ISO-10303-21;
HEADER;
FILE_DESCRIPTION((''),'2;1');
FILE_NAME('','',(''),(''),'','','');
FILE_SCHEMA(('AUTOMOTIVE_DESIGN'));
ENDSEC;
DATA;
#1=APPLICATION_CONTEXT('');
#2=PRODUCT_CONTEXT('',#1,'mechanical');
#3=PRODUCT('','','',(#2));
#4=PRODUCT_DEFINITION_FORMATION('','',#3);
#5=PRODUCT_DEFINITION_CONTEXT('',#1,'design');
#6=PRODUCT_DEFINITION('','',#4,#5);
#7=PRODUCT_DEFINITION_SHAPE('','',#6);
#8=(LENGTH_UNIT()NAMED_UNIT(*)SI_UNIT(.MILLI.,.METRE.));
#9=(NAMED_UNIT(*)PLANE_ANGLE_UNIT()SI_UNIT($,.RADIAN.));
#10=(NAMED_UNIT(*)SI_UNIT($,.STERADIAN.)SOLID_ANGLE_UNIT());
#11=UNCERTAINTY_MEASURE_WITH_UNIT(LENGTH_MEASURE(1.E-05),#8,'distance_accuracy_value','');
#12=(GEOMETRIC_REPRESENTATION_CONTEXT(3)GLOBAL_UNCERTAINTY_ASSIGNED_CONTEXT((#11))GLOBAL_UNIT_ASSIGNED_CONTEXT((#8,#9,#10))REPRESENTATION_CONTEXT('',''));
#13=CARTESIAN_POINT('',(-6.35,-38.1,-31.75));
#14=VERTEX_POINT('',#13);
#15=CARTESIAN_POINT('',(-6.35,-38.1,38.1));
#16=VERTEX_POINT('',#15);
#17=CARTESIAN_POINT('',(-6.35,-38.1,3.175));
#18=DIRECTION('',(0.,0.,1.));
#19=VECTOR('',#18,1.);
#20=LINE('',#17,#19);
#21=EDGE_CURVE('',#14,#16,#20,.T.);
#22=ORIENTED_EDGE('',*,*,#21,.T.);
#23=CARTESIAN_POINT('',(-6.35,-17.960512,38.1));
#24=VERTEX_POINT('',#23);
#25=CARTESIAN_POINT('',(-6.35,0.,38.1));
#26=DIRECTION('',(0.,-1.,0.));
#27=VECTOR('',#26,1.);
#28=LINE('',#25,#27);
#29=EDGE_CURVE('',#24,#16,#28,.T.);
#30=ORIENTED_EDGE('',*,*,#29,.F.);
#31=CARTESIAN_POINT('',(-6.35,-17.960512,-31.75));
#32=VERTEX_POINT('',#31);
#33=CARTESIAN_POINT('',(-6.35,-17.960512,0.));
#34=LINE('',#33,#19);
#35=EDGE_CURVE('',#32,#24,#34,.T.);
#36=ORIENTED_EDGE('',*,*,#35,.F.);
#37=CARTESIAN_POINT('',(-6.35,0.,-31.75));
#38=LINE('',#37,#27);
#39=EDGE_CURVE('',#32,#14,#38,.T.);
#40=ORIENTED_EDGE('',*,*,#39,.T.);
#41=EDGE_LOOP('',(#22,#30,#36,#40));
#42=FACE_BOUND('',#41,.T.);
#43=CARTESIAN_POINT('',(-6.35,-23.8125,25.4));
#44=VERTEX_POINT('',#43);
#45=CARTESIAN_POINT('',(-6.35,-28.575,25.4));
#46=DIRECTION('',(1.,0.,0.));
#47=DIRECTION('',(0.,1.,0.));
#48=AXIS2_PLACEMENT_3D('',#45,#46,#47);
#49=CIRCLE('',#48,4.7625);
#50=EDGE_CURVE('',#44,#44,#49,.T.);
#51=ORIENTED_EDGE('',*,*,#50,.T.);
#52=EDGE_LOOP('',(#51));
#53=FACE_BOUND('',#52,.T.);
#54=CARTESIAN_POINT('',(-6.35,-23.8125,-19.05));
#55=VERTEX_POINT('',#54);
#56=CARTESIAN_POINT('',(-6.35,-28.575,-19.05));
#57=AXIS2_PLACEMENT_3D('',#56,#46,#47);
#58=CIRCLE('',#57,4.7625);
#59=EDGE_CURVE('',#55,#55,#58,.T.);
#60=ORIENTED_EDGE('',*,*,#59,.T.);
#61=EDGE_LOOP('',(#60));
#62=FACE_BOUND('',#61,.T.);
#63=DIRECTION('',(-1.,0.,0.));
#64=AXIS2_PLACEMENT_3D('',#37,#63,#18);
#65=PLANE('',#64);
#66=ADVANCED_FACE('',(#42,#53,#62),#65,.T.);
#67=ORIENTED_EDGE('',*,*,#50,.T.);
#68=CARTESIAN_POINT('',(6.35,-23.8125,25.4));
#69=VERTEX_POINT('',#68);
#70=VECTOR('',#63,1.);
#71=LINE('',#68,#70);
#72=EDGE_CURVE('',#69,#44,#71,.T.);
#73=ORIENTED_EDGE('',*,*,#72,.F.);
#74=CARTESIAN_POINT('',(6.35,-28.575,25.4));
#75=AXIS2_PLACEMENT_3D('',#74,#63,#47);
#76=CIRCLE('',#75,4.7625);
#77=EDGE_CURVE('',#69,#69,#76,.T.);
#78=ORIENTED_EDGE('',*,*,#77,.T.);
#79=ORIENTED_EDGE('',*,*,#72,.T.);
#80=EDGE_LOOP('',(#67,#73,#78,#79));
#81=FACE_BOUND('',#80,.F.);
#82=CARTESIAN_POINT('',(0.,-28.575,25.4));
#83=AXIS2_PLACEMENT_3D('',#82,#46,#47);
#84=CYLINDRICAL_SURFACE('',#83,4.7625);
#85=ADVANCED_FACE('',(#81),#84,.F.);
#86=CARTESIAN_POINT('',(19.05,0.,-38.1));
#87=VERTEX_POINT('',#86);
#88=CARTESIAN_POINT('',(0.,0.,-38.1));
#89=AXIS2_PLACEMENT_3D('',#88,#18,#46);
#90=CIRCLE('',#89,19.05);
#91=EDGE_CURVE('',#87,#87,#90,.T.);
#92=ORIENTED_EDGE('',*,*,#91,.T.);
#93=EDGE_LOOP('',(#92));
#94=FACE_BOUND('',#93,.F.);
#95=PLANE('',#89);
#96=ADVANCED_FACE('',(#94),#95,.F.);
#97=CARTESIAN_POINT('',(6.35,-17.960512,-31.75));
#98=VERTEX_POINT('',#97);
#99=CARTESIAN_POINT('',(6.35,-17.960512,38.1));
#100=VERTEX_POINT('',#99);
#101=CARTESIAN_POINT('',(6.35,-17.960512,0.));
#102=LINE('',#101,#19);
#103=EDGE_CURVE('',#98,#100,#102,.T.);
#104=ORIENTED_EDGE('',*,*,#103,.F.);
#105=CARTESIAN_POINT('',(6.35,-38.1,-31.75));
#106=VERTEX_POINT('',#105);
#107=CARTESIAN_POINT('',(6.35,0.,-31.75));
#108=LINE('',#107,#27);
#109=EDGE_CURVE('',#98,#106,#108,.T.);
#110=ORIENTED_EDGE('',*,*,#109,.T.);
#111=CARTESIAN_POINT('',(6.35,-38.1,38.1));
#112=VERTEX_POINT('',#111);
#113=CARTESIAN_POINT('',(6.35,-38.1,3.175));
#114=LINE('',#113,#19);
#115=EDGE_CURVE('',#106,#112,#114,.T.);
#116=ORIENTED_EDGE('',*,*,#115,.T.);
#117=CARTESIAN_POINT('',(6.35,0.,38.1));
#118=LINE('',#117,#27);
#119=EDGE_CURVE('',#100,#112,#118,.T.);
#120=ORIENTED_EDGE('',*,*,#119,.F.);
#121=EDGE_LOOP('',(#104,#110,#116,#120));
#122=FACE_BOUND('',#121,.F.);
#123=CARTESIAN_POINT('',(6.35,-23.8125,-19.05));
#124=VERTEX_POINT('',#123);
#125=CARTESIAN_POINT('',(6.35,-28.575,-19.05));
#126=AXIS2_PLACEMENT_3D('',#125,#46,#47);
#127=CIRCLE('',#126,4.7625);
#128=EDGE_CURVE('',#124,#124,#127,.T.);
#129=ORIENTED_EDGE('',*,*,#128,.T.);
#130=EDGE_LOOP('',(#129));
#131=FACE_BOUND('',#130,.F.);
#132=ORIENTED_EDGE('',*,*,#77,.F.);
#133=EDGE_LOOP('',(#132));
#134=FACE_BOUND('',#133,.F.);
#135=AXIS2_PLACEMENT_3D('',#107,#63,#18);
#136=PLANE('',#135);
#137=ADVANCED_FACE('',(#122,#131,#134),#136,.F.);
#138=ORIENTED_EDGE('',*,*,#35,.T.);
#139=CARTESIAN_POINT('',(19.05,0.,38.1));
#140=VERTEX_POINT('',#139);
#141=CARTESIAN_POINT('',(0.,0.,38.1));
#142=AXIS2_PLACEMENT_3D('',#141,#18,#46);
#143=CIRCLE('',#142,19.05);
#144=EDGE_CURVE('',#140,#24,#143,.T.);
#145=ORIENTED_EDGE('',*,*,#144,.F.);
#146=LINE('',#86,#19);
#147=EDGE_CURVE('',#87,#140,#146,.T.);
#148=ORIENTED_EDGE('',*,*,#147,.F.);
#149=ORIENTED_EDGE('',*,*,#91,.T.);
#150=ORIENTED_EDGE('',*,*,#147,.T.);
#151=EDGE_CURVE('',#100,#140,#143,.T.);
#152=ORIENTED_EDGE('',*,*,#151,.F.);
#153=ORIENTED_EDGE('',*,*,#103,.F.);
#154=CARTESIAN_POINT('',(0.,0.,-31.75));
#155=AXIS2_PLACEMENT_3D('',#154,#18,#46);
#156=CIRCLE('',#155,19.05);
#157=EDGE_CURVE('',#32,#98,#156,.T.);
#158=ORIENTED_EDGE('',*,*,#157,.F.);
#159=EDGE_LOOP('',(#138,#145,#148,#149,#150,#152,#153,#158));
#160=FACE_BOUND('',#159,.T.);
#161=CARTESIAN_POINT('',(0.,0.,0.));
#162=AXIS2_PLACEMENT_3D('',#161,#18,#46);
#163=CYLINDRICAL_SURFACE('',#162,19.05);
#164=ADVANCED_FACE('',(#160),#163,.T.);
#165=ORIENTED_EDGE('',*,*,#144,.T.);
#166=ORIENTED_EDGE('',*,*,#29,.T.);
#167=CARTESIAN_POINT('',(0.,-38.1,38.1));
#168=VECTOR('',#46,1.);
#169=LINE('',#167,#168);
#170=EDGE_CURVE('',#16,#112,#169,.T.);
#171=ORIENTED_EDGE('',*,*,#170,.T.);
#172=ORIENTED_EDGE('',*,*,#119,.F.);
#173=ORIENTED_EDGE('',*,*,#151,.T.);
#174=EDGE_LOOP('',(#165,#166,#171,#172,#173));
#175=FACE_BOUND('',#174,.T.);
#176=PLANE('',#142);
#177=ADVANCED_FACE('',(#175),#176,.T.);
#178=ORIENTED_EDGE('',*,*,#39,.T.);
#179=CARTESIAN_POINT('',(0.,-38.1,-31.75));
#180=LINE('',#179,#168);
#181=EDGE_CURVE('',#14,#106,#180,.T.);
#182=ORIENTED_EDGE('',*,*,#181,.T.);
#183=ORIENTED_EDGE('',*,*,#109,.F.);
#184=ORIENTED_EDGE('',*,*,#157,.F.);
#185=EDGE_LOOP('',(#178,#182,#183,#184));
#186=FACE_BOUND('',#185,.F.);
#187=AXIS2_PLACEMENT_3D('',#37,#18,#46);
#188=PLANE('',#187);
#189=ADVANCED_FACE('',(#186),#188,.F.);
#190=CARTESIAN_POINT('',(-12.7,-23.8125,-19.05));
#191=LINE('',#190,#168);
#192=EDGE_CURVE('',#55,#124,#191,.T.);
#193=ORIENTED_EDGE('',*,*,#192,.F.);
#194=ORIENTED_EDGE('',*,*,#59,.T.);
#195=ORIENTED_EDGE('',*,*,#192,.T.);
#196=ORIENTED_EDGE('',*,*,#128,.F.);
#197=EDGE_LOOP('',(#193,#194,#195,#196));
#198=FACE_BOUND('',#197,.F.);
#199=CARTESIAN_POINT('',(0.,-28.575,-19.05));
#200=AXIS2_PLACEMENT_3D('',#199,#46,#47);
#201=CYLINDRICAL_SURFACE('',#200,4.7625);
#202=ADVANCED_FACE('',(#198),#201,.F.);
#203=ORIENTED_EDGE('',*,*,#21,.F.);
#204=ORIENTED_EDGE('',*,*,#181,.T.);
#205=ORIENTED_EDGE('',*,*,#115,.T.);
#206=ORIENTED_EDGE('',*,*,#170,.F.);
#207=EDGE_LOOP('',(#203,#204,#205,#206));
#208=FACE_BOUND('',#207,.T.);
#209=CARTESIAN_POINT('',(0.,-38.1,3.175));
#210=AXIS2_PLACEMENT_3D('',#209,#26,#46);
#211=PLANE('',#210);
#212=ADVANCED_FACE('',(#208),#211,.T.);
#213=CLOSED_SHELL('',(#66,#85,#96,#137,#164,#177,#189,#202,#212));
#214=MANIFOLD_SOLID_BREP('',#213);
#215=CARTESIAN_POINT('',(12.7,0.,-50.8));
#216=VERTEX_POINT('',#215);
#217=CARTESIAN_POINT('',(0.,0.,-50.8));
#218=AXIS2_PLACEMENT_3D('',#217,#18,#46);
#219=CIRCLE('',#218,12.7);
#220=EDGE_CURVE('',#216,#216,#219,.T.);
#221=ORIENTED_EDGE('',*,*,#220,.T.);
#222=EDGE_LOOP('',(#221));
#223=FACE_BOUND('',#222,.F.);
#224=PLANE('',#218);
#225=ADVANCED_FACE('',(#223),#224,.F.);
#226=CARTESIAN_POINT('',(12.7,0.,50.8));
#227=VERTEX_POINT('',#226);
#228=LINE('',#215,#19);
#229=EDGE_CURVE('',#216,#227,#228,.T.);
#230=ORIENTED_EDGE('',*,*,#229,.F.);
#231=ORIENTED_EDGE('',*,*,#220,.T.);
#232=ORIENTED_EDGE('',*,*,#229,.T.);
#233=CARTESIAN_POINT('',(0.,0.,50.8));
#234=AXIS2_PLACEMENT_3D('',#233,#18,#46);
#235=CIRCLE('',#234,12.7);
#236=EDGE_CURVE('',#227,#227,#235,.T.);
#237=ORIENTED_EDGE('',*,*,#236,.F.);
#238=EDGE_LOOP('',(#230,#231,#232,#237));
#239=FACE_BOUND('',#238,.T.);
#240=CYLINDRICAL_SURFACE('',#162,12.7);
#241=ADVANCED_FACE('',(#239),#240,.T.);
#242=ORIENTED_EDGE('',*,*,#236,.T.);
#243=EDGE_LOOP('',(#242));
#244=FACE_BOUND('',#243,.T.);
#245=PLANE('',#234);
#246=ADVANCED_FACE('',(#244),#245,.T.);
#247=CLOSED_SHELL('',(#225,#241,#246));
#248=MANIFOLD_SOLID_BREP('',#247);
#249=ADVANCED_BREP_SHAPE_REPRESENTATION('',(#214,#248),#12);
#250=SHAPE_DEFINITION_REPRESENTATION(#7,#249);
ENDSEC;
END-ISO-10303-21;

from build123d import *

# Parameters (mm, degrees)
F0_R     = 19.05
F1_DEPTH = 38.1
F2_W     = 12.7
F2_H     = 69.85
F3_DEPTH = 38.1
F4_R     = 4.7625
F5_DEPTH = 12.7
F6_R     = 12.7
F7_DEPTH = 50.8


with BuildPart() as f1:
    # F0 (on Top) → F1 (new body, symmetric)
    with BuildSketch(Plane.XY):
        Circle(F0_R)
    extrude(amount=F1_DEPTH, both=True)

    # F2 (on Front) → F3 (join)
    with BuildSketch(Plane.XZ):
        with Locations((0, 3.175)):
            Rectangle(F2_W, F2_H)
    extrude(amount=F3_DEPTH)

    # F4 (on Right) → F5 (cut, symmetric)
    with BuildSketch(Plane.YZ):
        with Locations((-28.575, 25.4)):
            Circle(F4_R)
        with Locations((-28.575, -19.05)):
            Circle(F4_R)
    extrude(amount=F5_DEPTH, both=True, mode=Mode.SUBTRACT)


with BuildPart() as f7:
    # F6 (on Top) → F7 (new body, symmetric)
    with BuildSketch(Plane.XY):
        Circle(F6_R)
    extrude(amount=F7_DEPTH, both=True)


solid = Compound([f1.part, f7.part])
